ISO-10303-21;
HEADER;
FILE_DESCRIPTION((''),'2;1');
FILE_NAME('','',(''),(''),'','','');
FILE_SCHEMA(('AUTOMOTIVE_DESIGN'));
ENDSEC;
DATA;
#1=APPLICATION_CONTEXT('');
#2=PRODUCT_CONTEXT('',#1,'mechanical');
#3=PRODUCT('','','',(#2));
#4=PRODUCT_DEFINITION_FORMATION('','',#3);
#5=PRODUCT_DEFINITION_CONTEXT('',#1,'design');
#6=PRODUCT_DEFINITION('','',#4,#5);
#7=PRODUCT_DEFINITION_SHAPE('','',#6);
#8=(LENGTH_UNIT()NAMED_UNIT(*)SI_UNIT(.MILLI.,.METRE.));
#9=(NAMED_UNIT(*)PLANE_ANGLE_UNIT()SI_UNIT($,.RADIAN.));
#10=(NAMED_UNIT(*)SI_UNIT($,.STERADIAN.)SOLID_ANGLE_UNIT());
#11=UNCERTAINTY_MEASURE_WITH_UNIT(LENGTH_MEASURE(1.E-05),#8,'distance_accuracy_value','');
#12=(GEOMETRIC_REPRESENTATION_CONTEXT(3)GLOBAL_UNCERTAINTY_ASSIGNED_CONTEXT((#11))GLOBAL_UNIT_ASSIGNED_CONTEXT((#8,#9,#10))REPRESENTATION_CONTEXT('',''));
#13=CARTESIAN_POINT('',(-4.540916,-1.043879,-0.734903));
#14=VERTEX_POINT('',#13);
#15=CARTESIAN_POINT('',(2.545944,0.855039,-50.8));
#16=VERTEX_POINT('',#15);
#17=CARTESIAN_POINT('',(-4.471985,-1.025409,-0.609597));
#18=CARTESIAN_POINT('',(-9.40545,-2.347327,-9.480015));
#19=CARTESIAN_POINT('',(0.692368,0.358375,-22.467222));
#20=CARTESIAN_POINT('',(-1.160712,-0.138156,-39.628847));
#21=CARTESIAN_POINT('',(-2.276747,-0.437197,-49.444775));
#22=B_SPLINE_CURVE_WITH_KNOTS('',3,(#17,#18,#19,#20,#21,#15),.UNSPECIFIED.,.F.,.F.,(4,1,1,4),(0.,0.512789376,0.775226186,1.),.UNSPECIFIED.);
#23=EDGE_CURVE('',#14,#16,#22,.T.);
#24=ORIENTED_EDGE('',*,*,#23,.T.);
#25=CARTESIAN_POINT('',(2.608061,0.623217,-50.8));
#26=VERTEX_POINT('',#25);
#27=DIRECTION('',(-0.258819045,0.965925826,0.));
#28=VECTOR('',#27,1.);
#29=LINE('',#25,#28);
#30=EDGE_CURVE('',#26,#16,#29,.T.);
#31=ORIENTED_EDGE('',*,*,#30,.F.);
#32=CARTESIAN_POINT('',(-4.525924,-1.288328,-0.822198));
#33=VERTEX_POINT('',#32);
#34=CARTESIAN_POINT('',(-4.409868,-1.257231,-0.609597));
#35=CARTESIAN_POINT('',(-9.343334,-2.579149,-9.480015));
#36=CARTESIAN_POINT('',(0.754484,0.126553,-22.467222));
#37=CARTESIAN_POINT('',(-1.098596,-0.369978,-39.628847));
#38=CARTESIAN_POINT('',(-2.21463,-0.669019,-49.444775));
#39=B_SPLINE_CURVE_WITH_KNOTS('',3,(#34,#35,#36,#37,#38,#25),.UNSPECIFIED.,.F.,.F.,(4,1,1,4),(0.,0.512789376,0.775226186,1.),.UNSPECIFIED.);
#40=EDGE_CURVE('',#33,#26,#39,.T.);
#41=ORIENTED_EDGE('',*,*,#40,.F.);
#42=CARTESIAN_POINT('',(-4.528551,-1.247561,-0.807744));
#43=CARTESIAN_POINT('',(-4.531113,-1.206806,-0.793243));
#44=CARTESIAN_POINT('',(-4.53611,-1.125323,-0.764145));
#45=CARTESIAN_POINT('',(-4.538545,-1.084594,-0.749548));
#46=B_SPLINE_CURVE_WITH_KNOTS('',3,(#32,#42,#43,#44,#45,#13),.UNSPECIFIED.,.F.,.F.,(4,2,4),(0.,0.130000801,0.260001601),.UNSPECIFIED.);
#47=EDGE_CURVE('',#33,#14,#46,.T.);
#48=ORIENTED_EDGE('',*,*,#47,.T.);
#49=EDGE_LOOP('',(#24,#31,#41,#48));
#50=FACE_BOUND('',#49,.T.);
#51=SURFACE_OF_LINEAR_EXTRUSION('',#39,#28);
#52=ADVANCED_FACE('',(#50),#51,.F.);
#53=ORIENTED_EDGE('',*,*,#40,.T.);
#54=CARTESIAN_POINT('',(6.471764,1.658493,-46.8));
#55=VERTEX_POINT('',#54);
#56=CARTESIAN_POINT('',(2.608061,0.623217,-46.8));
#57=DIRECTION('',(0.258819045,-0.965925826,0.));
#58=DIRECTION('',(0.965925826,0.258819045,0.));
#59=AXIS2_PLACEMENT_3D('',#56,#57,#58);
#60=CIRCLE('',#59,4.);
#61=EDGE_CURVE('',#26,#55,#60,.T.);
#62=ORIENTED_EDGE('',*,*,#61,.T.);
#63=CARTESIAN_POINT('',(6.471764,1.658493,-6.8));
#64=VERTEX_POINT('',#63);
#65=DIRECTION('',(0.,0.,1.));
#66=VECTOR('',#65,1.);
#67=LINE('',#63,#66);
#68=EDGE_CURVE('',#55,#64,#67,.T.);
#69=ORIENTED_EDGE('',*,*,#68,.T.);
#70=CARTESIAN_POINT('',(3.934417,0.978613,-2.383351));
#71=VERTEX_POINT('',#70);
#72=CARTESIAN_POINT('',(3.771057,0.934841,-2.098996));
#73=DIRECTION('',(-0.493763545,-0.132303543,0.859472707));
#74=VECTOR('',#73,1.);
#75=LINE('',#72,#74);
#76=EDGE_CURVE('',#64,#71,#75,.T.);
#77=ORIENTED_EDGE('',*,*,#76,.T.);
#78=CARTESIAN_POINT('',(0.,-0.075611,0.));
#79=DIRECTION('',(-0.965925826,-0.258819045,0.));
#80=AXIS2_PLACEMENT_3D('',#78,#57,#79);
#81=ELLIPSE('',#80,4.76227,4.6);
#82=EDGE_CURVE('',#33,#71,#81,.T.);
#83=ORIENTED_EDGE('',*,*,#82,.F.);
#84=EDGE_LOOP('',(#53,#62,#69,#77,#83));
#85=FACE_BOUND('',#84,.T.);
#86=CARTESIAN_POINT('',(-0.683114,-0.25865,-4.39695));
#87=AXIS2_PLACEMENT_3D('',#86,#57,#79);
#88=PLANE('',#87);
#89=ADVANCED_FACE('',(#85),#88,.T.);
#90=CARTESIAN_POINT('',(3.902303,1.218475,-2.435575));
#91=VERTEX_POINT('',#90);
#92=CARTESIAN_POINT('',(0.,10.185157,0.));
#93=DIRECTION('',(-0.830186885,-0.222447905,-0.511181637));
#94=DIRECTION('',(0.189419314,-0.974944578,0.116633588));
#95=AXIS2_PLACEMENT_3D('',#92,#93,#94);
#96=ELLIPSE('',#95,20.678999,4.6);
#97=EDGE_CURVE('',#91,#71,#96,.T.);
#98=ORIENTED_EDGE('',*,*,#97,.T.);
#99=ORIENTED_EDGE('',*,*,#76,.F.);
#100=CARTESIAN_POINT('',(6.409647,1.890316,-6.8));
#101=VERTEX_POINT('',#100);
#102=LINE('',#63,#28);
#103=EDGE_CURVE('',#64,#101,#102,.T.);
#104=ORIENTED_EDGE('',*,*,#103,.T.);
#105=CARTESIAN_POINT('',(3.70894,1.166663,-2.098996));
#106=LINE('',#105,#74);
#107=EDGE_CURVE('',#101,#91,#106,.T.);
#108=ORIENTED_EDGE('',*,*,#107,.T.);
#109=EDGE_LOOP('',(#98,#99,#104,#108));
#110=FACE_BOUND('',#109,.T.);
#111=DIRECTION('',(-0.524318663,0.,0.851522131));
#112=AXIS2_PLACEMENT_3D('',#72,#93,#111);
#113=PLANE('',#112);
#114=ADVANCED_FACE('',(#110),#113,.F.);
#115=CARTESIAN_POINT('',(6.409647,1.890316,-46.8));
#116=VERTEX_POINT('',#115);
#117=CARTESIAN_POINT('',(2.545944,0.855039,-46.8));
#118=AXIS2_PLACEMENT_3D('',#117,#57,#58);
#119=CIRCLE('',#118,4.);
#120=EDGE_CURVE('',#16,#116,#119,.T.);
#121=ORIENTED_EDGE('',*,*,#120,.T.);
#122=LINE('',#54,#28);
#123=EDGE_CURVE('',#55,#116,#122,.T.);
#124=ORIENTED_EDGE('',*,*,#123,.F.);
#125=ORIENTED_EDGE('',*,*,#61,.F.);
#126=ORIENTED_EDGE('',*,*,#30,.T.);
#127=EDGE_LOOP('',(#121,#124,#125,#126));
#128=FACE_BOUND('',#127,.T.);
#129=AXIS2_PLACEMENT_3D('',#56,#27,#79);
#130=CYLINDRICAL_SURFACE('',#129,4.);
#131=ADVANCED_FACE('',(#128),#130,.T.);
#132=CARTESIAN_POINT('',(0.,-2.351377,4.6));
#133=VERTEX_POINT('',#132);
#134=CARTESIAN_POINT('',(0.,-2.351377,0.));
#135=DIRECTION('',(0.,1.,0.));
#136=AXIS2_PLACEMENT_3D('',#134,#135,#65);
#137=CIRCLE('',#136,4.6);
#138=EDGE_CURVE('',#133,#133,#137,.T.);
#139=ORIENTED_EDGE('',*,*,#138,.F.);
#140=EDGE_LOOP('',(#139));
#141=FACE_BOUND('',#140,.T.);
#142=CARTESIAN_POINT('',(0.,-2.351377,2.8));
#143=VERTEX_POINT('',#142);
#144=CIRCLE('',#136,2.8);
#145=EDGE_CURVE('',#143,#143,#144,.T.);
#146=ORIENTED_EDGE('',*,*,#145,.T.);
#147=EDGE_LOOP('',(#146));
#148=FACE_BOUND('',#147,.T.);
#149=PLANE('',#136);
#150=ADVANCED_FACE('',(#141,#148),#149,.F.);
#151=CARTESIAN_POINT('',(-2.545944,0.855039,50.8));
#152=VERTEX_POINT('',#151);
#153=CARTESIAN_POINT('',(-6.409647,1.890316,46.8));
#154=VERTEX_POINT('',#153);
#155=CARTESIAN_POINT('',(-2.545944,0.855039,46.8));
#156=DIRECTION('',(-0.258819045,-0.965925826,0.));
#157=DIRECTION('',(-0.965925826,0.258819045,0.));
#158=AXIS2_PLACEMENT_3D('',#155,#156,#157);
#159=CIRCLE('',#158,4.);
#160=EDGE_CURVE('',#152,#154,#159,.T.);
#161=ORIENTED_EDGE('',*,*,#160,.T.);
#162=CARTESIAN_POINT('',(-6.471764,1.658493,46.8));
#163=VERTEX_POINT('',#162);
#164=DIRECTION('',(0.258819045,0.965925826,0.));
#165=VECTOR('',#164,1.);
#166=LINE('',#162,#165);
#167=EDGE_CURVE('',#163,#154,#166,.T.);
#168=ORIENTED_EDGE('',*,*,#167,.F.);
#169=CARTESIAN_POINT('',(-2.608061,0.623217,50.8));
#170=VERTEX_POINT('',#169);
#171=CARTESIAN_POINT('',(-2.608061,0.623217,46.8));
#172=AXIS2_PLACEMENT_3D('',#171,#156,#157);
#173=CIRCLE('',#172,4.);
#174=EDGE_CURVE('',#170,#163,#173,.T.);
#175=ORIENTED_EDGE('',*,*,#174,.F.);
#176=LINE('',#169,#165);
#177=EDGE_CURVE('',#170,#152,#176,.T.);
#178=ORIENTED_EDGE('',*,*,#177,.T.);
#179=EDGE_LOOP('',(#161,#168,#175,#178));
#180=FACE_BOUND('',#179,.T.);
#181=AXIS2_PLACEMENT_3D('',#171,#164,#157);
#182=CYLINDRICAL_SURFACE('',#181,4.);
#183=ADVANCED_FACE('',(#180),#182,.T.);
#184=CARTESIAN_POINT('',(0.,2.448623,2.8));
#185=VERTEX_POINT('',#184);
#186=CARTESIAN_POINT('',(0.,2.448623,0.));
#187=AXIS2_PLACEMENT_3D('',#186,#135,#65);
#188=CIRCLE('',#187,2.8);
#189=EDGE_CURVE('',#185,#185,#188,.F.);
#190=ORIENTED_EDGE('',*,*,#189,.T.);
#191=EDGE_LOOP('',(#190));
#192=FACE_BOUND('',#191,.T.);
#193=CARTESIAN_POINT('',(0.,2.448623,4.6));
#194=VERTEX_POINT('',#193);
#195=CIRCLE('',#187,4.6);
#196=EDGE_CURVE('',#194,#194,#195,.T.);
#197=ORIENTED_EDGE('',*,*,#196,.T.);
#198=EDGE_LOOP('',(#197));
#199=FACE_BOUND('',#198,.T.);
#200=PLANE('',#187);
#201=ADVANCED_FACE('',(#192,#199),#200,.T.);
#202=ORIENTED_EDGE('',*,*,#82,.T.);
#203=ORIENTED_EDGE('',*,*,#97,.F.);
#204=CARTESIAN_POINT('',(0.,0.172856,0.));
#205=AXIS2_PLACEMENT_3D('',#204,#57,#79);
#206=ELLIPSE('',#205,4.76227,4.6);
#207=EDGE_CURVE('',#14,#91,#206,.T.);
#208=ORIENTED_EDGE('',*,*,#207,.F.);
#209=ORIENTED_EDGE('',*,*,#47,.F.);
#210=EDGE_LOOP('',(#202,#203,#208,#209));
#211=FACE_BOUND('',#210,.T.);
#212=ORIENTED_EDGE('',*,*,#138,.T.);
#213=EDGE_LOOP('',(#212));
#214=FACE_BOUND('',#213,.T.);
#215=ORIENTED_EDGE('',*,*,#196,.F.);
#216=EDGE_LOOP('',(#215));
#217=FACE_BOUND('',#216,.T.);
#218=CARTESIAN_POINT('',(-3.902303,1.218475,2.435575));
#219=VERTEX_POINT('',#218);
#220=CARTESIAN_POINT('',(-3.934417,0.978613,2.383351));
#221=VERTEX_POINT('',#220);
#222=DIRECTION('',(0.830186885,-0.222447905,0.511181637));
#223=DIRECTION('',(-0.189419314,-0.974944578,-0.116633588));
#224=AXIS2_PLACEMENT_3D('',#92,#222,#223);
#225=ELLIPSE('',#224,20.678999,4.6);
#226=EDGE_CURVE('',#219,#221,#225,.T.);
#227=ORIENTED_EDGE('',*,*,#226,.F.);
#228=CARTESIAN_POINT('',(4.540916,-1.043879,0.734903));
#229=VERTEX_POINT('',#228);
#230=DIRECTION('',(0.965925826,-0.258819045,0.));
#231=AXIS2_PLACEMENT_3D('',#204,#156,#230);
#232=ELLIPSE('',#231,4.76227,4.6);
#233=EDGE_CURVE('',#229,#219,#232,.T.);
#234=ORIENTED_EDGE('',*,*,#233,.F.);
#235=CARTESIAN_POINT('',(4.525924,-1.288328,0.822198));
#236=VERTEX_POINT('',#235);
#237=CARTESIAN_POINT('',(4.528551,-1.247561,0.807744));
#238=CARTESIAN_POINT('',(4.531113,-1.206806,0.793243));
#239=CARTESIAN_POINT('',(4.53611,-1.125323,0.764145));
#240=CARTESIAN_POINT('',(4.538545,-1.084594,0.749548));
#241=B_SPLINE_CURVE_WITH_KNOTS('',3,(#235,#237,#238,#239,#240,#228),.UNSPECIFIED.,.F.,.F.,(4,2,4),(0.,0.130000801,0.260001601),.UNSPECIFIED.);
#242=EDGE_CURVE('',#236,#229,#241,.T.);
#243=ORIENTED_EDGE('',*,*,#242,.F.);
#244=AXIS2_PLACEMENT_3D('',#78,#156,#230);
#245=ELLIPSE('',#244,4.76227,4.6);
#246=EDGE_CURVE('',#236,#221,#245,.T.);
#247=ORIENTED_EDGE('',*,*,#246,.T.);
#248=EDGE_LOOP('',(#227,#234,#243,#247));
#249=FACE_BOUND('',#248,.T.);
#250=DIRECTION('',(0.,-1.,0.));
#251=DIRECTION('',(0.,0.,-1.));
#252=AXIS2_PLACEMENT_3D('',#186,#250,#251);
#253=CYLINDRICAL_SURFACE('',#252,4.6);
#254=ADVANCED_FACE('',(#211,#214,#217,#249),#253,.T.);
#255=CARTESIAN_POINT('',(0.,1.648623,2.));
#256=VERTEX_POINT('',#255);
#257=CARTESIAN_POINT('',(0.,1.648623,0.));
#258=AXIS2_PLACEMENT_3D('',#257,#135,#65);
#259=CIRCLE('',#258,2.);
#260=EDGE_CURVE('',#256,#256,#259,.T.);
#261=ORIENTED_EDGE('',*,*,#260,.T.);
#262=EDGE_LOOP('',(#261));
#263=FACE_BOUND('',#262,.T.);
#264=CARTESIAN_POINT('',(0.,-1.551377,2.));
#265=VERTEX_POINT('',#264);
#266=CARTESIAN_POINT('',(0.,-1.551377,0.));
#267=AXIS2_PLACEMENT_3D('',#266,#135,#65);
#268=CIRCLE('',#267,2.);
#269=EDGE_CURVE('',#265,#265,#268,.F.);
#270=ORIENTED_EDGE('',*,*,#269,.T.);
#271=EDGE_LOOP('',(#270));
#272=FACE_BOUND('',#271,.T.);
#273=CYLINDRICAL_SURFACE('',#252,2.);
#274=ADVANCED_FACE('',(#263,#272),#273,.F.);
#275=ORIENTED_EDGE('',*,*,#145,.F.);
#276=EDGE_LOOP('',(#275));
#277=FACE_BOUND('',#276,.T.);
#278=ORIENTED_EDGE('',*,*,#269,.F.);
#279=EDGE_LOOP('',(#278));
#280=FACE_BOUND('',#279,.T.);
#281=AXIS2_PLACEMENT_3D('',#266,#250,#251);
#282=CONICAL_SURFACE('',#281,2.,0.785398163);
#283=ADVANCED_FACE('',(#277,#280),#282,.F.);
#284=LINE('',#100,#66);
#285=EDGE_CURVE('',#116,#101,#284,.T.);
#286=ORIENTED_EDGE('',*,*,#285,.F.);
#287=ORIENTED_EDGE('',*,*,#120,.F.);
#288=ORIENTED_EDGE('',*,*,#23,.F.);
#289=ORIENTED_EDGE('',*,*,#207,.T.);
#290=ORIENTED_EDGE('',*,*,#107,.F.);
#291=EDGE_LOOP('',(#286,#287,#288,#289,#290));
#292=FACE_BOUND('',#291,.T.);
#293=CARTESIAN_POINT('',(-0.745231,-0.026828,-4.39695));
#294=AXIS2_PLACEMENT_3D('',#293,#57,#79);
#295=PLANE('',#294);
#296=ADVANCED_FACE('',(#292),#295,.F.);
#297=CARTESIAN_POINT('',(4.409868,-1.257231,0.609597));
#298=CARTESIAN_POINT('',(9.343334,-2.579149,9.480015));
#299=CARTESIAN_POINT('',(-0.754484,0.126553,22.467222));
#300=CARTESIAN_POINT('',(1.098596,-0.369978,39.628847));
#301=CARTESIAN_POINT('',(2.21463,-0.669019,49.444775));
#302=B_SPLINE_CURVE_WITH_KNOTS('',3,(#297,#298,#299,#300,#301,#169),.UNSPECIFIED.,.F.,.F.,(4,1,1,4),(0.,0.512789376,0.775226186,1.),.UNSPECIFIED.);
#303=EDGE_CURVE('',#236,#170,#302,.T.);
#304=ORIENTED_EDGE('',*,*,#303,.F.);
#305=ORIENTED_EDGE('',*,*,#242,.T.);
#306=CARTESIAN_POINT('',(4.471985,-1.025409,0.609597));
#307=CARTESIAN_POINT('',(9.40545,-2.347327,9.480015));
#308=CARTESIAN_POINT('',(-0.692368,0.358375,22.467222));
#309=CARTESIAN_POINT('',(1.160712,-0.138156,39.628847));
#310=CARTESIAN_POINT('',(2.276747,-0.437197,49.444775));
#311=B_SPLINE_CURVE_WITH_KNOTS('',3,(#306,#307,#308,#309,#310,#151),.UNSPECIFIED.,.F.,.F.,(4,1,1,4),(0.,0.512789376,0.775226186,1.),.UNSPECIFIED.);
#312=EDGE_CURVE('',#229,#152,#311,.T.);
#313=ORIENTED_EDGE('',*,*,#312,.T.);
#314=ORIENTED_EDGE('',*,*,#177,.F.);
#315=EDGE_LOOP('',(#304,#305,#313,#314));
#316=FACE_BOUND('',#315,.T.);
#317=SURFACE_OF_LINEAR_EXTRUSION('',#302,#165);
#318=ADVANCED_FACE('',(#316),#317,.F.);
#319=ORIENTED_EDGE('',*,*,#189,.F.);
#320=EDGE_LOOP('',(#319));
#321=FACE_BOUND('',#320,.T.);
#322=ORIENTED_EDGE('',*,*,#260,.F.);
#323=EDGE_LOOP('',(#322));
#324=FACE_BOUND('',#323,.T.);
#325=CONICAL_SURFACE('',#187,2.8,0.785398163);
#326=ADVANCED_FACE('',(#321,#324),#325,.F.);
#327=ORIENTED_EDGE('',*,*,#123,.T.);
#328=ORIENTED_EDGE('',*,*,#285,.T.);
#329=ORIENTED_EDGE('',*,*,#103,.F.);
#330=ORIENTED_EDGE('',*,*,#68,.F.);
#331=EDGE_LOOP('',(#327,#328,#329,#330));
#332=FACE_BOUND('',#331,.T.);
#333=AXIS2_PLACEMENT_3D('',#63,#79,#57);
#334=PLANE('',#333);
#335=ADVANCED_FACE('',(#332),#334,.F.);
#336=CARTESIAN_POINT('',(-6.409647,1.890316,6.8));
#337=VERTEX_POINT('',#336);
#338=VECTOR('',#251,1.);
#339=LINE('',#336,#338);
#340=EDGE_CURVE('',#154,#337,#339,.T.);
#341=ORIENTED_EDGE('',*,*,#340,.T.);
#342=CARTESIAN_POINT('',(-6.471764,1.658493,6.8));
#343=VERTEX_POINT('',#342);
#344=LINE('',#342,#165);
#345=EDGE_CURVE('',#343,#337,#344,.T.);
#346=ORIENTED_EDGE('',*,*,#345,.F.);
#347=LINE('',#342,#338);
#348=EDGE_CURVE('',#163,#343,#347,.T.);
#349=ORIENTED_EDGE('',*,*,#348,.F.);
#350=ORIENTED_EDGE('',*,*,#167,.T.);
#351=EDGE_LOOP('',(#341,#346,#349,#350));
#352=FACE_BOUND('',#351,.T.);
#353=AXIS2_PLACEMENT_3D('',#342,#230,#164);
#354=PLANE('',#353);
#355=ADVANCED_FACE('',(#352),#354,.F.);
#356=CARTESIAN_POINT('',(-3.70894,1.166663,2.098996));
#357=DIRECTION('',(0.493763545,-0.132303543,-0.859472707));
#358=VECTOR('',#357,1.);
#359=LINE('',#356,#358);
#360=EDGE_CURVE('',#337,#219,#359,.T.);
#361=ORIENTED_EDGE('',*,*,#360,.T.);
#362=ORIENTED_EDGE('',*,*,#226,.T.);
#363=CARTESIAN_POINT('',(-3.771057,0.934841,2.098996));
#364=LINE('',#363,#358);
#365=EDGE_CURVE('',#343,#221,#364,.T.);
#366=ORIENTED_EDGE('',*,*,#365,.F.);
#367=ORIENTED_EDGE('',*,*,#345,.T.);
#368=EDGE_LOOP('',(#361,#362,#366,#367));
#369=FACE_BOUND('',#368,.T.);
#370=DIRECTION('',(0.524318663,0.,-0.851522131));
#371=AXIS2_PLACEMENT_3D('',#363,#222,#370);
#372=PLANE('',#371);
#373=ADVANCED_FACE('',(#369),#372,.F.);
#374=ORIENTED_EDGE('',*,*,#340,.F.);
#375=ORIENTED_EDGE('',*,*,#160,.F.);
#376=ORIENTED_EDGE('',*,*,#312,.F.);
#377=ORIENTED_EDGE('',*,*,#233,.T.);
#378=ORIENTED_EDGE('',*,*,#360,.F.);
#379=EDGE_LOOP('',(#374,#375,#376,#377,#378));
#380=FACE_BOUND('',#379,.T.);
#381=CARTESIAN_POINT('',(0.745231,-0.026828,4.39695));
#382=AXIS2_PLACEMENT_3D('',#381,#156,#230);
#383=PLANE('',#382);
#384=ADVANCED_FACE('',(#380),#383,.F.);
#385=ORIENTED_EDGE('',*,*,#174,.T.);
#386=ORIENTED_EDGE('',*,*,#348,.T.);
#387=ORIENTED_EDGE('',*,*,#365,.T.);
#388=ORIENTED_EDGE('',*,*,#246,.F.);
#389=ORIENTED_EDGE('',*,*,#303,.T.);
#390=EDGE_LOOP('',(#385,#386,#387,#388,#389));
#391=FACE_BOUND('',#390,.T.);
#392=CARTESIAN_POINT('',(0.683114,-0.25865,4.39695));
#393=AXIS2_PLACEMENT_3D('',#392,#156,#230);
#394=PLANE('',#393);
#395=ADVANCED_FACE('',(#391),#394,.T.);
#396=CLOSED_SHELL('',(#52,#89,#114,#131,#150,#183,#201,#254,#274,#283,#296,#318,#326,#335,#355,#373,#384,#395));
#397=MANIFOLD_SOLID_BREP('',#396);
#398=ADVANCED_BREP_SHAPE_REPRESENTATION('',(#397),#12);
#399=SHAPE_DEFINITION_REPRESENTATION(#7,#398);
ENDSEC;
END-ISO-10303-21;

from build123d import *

# Parameters (mm, degrees)
SKETCH1_R           = 5.75
BOSS_EXTRUDE1_DEPTH = 3
BOSS_EXTRUDE2_DEPTH = 0.15
CIRPATTERN1_COUNT   = 2
SKETCH4_R           = 2.5
CUT_EXTRUDE1_DEPTH  = 65.293804857
CHAMFER1_SIZE       = 1
SCALE1_SCALE        = 0.8


with BuildPart() as part:
    # Sketch1 → Boss-Extrude1 (new, symmetric)
    with BuildSketch(Plane(origin=(0, 0, 0), x_dir=(1, 0, 0), z_dir=(0, 1, 0))):
        with Locations(Location((0, 0, 0), (0, 0, 270))):
            Circle(SKETCH1_R)
    extrude(amount=BOSS_EXTRUDE1_DEPTH, both=True)

    # Sketch3 → Boss-Extrude2 (add, symmetric)
    with BuildSketch(Plane(origin=(0, 0, 0), x_dir=(0.9659258262890681, -0.25881904510252135, 0), z_dir=(-0.25881904510252135, -0.9659258262890681, 0))):
        with BuildLine():
            Line((-4.839914139, 2.623745504), (-8.334886543, 8.5))
            Line((-8.334886543, 8.5), (-8.334886543, 58.5))
            ThreePointArc((-8.334886543, 58.5), (-6.870420449, 62.035533906), (-3.334886543, 63.5))
            add(Edge.make_bspline(
                [(5.746982113, 0.761996319), (12.131355978, 11.850018821), (-0.936182392, 28.084027466), (1.461879649, 49.536058165), (2.906134653, 61.805968839), (-3.334886543, 63.5)],
                knots=[0, 0, 0, 0, 0.512789376, 0.775226186, 1, 1, 1, 1], degree=3))
            add(Edge.make_bspline(
                [(-4.839914139, 2.623745504), (-4.099694998, 4.029932723), (-0.024977129, 7.494277123), (5.216231685, 3.583159529), (5.746982113, 0.761996319)],
                knots=[0, 0, 0, 0, 0.356037784, 1, 1, 1, 1], degree=3))
        make_face()
    boss_extrude2 = extrude(amount=BOSS_EXTRUDE2_DEPTH, both=True)

    # CirPattern1: Boss-Extrude2 ×2 about axis
    cirpattern1_axis = Axis((0, 3, 0), (0, -1, 0))
    for i in range(1, CIRPATTERN1_COUNT):
        add(boss_extrude2.rotate(cirpattern1_axis, i * 360 / CIRPATTERN1_COUNT))

    # Sketch4 → Cut-Extrude1 (cut, through all)
    with BuildSketch(Plane.XZ.offset(3)):
        with Locations(Location((0, 0, 0), (0, 0, 270))):
            Circle(SKETCH4_R)
    extrude(amount=-CUT_EXTRUDE1_DEPTH, mode=Mode.SUBTRACT)

    # Chamfer1
    chamfer1_edges = [part.edges().sort_by_distance(p)[0] for p in [
        (0, 3, 2.5),
        (0, -3, 2.5),
    ]]
    chamfer(chamfer1_edges, length=CHAMFER1_SIZE)


with BuildPart() as part_1:
    # Scale1: scaled about (3.49e-07, 0.242843854, 1.5359e-05)
    add(part.part.scale(SCALE1_SCALE).moved(Location((7e-08, 0.048568771, 3.072e-06))))


solid = part_1.part
